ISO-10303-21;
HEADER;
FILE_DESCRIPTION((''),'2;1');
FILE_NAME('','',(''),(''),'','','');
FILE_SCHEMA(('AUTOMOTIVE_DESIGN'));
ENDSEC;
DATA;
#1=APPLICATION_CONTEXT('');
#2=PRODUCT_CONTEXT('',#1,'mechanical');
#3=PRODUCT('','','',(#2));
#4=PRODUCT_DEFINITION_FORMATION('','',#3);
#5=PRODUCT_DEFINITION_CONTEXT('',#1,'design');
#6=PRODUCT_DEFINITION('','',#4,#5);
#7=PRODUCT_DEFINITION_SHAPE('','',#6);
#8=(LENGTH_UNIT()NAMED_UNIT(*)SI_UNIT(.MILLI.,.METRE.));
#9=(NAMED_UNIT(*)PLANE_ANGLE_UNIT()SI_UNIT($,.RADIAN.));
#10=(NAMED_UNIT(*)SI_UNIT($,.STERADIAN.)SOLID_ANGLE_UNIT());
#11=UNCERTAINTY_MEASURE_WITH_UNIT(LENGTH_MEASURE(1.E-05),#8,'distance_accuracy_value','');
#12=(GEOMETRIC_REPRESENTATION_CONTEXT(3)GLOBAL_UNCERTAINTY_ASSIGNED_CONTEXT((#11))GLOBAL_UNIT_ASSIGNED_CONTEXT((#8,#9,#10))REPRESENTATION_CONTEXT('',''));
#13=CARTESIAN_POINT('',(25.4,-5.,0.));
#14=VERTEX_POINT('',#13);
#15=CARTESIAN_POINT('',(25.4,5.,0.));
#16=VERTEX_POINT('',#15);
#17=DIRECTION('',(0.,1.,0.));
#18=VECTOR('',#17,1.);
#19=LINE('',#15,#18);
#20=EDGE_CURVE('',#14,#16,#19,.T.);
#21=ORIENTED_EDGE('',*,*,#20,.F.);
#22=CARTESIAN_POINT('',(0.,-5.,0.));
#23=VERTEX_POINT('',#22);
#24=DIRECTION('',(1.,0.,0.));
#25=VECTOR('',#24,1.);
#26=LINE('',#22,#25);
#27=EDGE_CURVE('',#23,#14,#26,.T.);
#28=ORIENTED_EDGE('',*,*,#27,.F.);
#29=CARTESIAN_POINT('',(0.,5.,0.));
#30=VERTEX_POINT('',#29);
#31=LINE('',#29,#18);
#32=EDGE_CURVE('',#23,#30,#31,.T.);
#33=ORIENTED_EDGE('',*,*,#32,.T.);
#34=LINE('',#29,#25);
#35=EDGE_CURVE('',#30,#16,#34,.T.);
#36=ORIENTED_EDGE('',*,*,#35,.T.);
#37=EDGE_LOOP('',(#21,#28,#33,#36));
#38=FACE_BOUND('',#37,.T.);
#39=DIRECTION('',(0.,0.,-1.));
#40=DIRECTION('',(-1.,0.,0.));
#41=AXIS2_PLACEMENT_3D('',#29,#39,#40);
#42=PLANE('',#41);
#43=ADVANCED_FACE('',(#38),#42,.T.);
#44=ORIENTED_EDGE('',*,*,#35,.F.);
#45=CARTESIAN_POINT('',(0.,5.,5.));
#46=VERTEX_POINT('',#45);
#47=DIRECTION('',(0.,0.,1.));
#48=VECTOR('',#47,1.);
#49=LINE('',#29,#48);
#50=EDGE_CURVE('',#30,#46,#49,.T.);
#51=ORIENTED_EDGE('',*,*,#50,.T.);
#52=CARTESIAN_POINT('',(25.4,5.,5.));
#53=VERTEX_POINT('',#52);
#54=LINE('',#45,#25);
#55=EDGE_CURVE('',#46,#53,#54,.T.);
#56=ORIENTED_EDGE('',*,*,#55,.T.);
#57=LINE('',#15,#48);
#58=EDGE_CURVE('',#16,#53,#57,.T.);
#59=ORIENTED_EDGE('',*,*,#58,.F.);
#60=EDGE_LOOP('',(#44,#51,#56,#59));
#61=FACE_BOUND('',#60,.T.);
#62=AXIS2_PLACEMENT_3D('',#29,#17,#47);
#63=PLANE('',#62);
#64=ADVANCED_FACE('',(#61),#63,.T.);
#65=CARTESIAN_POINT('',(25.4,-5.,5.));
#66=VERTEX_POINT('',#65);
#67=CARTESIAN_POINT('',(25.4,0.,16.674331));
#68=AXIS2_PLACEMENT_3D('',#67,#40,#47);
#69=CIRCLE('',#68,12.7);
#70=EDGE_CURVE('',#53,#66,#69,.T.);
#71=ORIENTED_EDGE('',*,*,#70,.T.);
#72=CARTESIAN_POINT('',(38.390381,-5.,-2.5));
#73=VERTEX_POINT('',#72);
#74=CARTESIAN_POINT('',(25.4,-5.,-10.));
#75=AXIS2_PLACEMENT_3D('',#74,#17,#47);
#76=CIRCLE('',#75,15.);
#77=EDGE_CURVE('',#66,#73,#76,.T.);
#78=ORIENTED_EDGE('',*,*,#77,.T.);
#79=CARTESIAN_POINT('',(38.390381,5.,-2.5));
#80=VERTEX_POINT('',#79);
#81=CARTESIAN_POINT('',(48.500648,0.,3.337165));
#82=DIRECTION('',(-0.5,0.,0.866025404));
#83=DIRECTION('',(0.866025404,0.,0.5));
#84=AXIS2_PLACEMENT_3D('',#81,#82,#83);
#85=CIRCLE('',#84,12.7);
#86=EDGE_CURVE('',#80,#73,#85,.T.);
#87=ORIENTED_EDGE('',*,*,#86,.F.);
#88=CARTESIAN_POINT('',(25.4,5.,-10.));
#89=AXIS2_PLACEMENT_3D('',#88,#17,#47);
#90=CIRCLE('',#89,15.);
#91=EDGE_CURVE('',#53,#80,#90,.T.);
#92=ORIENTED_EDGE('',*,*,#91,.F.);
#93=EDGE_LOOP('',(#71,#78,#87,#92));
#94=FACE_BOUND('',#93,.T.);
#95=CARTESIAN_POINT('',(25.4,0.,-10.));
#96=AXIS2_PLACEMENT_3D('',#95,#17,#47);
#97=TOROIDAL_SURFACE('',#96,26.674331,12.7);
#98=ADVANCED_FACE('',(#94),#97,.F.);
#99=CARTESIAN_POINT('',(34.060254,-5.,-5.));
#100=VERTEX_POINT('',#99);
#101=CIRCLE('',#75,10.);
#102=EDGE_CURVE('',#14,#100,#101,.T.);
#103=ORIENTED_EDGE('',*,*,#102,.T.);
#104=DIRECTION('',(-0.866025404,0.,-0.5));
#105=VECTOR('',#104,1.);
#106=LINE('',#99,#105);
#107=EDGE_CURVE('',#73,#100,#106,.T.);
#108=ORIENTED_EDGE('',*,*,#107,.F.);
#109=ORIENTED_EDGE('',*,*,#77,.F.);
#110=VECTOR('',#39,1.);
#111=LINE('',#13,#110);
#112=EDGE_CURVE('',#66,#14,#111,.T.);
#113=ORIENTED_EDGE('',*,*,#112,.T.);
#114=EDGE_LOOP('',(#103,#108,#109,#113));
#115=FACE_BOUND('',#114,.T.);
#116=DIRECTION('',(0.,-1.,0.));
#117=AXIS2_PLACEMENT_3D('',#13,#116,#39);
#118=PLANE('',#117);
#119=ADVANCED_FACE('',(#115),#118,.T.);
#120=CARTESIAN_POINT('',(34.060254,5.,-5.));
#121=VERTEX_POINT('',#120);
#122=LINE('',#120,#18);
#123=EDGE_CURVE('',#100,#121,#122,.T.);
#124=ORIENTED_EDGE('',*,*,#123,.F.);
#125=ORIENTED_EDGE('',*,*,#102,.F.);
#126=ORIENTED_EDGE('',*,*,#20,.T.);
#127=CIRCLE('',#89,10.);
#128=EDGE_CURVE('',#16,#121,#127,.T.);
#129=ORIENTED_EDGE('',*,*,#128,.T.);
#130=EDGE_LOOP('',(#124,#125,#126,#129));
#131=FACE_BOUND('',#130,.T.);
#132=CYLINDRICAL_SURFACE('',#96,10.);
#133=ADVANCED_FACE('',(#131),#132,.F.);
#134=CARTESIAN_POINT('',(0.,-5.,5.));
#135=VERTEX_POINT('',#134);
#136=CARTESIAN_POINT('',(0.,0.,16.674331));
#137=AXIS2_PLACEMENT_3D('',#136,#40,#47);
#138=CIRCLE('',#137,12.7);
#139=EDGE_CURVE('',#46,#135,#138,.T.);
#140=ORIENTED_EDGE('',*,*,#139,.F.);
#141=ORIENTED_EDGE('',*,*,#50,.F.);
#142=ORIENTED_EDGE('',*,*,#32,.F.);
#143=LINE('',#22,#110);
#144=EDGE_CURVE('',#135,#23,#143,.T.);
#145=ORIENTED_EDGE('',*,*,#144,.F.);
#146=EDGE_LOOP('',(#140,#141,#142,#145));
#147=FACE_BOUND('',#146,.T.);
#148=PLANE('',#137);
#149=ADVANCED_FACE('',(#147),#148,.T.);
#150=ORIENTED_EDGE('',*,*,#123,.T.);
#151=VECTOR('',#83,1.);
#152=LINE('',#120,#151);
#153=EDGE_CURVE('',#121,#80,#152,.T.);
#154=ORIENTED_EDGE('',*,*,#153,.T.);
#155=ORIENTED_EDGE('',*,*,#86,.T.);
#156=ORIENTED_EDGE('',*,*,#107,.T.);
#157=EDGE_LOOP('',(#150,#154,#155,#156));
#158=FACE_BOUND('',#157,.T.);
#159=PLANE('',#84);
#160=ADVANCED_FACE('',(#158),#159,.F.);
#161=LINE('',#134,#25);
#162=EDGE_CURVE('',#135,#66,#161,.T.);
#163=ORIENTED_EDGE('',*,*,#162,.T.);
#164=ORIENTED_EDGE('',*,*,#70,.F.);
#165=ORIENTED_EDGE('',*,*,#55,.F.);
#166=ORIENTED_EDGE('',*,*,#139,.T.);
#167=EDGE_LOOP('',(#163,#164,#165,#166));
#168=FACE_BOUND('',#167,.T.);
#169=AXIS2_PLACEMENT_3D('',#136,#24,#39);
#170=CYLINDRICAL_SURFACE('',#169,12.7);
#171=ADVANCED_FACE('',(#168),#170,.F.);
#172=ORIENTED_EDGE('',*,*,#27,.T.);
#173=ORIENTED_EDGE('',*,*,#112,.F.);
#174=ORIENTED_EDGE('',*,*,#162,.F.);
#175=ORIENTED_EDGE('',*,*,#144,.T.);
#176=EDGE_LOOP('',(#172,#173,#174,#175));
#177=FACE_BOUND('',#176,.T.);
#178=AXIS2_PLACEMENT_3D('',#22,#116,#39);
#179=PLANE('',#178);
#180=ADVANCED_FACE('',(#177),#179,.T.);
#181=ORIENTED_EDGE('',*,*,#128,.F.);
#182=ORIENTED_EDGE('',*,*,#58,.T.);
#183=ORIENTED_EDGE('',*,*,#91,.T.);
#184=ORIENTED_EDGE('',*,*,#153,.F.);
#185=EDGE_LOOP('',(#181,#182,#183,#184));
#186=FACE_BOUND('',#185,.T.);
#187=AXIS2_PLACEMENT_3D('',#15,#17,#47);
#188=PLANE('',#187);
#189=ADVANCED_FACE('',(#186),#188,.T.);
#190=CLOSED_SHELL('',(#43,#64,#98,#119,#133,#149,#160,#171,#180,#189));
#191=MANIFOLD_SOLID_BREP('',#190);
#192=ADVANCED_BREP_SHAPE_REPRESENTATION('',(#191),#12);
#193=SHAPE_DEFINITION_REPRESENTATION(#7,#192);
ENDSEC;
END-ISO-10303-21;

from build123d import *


with BuildPart() as part:
    # Sweep1: sweep along a path in Sketch1
    with BuildLine(Plane(origin=(0, 0, 0), x_dir=(1, 0, 0), z_dir=(0, 1, 0))) as sweep1_path:
        Line((0, 0), (25.4, 0))
        ThreePointArc((25.4, 0), (30.4, 1.339745962), (34.060254038, 5))
    # Sketch2 → Sweep1 (sweep)
    with BuildSketch(Plane(origin=(0, 0, 0), x_dir=(0, 0, -1), z_dir=(1, 0, 0))):
        with BuildLine():
            Line((0, 5), (0, -5))
            Line((0, -5), (-5, -5))
            ThreePointArc((-5, -5), (-3.974330816, 0), (-5, 5))
            Line((-5, 5), (0, 5))
        make_face()
    sweep(path=sweep1_path.line)


solid = part.part
